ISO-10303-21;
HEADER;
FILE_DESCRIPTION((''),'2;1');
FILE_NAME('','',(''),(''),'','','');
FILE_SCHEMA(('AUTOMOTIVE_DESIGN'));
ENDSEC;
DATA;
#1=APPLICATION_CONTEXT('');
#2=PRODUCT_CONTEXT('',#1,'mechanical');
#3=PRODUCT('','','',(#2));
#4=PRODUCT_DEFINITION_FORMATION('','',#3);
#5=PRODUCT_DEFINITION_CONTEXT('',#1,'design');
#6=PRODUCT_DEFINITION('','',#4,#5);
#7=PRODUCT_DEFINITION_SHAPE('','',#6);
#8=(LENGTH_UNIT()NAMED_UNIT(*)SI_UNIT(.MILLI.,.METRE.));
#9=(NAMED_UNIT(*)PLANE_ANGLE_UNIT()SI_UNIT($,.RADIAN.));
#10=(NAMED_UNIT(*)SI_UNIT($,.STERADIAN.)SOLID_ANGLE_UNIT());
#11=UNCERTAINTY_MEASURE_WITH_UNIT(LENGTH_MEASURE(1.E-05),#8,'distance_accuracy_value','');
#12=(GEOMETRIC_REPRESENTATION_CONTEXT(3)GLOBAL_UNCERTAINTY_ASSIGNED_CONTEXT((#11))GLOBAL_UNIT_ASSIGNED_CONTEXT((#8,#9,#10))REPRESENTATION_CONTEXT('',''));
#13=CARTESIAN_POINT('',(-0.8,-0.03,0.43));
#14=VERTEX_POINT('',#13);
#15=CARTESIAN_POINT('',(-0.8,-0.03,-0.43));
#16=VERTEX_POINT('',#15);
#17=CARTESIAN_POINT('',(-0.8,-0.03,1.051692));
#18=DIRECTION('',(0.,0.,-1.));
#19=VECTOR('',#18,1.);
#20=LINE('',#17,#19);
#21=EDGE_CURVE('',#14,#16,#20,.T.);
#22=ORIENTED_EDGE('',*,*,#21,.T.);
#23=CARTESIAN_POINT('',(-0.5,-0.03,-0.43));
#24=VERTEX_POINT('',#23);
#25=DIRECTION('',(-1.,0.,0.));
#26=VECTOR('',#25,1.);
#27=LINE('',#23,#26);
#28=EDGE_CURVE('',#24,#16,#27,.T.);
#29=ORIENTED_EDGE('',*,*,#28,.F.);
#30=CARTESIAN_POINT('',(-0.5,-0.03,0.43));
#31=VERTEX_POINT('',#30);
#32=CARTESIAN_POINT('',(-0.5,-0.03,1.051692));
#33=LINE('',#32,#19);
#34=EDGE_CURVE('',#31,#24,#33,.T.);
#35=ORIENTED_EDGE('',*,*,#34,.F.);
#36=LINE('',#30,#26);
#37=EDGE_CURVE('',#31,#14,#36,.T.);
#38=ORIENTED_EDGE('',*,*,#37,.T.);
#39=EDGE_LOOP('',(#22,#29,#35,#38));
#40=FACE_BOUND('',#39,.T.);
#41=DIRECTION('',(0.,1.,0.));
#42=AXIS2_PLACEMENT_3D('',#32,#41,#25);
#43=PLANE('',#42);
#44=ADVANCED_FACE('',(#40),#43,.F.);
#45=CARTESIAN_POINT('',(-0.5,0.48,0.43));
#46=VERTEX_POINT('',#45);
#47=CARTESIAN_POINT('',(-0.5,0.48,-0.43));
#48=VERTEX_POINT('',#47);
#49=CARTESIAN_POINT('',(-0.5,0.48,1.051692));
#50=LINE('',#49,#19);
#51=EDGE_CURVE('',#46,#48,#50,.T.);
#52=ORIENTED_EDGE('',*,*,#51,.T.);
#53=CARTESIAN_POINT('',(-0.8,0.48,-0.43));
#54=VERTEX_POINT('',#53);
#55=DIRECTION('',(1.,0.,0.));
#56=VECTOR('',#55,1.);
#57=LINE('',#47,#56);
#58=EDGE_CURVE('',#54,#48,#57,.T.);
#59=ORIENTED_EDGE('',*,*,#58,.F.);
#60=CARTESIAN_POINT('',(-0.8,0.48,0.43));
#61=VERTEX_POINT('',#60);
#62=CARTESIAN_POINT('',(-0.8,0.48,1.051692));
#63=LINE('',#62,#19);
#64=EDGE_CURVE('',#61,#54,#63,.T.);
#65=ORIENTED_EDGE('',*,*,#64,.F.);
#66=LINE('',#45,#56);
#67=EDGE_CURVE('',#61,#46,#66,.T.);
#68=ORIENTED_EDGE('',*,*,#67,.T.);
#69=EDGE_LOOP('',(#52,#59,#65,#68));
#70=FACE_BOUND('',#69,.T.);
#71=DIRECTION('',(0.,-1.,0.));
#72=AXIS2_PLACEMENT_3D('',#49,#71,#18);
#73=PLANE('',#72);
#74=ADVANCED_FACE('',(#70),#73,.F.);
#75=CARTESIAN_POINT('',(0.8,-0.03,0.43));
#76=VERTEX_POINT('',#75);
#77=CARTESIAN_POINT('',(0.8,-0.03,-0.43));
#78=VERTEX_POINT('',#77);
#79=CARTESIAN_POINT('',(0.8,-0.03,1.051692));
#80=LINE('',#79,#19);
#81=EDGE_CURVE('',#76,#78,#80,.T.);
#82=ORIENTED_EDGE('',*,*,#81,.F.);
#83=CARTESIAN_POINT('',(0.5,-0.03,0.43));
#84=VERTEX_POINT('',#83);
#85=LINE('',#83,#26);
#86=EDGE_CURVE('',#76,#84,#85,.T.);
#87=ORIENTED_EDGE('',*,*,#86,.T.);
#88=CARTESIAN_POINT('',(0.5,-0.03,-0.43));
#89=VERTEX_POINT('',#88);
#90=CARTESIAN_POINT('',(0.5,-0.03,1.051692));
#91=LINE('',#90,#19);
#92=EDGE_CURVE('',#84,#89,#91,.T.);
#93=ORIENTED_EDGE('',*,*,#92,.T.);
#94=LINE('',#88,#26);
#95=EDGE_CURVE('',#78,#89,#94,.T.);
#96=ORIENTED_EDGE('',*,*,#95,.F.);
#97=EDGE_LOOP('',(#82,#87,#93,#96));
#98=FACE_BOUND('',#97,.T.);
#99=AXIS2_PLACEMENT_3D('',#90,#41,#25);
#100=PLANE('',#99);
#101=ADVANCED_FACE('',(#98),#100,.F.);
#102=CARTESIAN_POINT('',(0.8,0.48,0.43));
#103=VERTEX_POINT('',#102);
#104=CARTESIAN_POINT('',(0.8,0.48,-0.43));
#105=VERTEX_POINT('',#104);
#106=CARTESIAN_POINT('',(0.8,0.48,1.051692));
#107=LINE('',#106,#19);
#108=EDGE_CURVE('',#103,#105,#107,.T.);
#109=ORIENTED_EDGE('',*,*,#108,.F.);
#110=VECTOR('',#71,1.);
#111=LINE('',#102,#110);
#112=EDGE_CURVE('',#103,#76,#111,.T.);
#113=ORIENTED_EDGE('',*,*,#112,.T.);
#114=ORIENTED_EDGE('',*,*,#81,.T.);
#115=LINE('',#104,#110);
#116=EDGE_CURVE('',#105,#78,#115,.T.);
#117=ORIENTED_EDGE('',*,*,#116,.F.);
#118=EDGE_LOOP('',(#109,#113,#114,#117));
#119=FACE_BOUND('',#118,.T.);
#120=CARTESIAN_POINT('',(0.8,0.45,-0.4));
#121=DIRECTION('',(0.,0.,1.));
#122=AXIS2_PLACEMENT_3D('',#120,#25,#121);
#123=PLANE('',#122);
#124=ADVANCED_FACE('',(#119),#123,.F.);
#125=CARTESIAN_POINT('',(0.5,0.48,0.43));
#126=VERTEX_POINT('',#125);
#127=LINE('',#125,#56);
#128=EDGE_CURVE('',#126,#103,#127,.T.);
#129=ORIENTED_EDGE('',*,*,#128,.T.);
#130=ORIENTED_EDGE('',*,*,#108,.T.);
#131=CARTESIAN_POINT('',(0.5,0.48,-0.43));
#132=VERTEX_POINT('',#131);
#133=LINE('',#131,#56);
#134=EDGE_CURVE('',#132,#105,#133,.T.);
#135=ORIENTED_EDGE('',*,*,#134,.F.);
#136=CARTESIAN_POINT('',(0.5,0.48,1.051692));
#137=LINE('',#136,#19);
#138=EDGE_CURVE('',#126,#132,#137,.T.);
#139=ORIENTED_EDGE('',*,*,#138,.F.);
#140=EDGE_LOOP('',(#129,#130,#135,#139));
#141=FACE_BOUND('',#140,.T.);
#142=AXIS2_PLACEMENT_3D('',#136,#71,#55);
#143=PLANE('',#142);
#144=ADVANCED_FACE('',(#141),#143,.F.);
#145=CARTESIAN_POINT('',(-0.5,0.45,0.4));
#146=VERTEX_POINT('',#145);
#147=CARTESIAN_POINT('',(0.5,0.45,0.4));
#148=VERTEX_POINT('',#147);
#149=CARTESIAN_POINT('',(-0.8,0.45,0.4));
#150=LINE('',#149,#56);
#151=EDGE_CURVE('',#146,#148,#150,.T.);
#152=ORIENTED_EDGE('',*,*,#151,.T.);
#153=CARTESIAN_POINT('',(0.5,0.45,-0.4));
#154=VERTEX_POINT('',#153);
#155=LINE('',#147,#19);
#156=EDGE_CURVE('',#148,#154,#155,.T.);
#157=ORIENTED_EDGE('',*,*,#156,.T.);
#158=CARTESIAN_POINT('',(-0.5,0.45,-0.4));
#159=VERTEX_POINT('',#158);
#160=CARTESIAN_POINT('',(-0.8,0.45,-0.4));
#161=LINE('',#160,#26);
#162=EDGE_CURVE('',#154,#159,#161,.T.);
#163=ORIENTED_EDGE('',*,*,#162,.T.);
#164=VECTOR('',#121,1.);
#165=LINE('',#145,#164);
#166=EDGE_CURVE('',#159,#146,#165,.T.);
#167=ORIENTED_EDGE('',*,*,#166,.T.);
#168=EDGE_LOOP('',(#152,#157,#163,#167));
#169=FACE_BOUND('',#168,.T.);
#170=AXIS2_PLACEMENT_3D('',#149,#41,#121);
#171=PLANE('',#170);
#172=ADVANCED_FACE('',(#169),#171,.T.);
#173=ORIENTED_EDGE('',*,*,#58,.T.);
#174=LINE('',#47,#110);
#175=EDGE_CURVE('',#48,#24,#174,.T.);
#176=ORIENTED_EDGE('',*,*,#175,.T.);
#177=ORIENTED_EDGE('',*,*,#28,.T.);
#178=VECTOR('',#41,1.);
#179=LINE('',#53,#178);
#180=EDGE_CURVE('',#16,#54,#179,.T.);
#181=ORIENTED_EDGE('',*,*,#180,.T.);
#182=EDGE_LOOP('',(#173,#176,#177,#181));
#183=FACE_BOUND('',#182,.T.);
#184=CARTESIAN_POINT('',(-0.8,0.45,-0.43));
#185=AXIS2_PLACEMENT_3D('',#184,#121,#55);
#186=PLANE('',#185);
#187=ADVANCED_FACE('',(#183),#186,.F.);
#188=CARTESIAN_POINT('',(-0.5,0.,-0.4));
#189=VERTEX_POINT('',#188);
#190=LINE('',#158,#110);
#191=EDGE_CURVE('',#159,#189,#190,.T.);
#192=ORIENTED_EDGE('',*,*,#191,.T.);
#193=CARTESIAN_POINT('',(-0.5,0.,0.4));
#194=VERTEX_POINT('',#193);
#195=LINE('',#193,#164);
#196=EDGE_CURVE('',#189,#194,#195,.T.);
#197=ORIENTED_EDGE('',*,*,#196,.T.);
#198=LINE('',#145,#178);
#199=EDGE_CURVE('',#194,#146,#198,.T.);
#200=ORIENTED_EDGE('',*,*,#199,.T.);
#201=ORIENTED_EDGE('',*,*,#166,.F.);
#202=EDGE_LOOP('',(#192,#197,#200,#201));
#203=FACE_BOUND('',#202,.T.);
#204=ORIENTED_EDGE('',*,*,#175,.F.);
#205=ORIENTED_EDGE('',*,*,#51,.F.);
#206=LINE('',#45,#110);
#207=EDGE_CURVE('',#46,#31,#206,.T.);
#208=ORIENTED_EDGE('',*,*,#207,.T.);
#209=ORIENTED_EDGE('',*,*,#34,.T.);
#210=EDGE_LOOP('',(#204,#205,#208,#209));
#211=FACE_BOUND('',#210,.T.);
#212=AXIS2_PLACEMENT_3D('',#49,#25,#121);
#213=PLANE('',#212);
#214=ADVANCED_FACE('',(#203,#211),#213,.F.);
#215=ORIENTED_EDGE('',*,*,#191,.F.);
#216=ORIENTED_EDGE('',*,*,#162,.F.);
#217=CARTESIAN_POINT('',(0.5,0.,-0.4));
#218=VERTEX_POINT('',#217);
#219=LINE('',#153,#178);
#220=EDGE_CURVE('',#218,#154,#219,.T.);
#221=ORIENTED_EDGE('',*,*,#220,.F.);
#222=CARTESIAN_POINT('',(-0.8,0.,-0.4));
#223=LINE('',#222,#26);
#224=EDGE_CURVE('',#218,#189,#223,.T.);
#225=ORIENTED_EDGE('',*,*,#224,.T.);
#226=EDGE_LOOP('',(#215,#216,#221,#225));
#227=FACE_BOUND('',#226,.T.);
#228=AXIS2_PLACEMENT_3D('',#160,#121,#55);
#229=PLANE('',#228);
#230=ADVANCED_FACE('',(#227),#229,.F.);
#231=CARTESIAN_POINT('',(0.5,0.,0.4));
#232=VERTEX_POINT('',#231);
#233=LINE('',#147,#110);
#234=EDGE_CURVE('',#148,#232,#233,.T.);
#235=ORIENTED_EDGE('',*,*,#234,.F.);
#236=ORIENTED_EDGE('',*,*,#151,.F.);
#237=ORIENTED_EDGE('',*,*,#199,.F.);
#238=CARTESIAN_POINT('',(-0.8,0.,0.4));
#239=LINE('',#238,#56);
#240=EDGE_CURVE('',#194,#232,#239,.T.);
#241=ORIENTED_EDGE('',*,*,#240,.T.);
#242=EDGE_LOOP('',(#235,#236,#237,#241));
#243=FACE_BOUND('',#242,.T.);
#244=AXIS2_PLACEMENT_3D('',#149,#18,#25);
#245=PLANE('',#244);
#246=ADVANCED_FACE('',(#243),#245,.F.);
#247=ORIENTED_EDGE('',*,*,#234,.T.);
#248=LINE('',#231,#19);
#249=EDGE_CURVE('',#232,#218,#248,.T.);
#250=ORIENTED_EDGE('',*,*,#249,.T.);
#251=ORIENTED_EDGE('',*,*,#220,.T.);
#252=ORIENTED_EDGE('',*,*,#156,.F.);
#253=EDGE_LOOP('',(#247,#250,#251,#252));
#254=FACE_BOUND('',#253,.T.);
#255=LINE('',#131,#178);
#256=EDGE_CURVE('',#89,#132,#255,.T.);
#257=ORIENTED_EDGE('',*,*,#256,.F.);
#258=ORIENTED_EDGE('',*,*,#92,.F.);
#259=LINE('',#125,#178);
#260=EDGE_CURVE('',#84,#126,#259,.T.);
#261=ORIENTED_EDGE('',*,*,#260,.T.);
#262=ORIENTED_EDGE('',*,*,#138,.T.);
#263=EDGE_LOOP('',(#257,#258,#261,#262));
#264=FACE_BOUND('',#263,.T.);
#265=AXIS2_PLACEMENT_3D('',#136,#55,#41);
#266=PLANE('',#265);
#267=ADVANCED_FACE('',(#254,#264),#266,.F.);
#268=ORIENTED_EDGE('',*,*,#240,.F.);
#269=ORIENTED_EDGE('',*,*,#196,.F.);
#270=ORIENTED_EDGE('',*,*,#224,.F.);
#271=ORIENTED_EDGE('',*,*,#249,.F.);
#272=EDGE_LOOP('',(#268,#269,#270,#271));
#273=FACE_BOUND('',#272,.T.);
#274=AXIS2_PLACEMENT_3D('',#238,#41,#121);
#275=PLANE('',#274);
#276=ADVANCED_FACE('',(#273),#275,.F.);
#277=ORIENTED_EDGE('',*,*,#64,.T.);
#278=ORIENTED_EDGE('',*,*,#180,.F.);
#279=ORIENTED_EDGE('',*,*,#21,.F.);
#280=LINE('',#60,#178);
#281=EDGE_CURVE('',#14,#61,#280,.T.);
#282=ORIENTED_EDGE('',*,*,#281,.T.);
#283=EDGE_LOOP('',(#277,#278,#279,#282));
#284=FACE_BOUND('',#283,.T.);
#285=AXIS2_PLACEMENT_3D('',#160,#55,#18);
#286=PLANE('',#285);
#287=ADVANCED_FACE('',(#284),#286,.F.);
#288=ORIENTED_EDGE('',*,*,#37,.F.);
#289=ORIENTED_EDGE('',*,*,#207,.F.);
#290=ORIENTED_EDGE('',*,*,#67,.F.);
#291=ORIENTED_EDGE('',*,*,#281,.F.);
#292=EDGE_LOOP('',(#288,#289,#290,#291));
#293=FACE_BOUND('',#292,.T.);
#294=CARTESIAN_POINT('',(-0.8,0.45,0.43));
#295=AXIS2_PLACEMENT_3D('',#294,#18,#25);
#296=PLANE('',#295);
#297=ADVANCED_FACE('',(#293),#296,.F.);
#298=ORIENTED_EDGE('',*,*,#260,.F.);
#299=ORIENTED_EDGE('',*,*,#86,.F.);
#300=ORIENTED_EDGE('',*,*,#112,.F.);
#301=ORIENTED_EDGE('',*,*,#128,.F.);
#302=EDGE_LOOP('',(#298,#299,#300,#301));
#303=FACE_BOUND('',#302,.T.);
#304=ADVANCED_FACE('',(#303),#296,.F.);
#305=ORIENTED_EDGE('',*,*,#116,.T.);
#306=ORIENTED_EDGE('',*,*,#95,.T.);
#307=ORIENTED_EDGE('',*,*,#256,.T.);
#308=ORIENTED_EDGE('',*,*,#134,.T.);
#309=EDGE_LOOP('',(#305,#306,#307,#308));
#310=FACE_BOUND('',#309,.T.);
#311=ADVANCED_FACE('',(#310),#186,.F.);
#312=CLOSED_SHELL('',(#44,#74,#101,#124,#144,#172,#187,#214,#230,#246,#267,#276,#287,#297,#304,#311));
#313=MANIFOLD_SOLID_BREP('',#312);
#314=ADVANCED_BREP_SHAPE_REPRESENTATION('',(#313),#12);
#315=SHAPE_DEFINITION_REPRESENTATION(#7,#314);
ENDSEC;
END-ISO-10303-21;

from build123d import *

# Parameters (mm, degrees)
SKETCH1_W           = 1.6
SKETCH1_H           = 0.8
EXTRUDE1_DEPTH      = 0.45
SKETCH2_W           = 0.3
SKETCH2_H           = 0.51
EXTRUDE2_DEPTH      = 0.43
EXTRUDE2_DEPTH_BACK = 0.43


with BuildPart() as part:
    # Sketch1 → Extrude1 (new body)
    with BuildSketch(Plane(origin=(0, 0, 0), x_dir=(1, 0, 0), z_dir=(0, 1, 0))):
        Rectangle(SKETCH1_W, SKETCH1_H)
    extrude(amount=EXTRUDE1_DEPTH)

    # Sketch2 → Extrude2 (add, two sides)
    with BuildSketch(Plane.XY) as extrude2_sk:
        with Locations((-0.65, 0.225)):
            Rectangle(SKETCH2_W, SKETCH2_H)
        with Locations((0.65, 0.225)):
            Rectangle(SKETCH2_W, SKETCH2_H)
    extrude(amount=EXTRUDE2_DEPTH)
    extrude(extrude2_sk.sketch, amount=-EXTRUDE2_DEPTH_BACK)


solid = part.part
